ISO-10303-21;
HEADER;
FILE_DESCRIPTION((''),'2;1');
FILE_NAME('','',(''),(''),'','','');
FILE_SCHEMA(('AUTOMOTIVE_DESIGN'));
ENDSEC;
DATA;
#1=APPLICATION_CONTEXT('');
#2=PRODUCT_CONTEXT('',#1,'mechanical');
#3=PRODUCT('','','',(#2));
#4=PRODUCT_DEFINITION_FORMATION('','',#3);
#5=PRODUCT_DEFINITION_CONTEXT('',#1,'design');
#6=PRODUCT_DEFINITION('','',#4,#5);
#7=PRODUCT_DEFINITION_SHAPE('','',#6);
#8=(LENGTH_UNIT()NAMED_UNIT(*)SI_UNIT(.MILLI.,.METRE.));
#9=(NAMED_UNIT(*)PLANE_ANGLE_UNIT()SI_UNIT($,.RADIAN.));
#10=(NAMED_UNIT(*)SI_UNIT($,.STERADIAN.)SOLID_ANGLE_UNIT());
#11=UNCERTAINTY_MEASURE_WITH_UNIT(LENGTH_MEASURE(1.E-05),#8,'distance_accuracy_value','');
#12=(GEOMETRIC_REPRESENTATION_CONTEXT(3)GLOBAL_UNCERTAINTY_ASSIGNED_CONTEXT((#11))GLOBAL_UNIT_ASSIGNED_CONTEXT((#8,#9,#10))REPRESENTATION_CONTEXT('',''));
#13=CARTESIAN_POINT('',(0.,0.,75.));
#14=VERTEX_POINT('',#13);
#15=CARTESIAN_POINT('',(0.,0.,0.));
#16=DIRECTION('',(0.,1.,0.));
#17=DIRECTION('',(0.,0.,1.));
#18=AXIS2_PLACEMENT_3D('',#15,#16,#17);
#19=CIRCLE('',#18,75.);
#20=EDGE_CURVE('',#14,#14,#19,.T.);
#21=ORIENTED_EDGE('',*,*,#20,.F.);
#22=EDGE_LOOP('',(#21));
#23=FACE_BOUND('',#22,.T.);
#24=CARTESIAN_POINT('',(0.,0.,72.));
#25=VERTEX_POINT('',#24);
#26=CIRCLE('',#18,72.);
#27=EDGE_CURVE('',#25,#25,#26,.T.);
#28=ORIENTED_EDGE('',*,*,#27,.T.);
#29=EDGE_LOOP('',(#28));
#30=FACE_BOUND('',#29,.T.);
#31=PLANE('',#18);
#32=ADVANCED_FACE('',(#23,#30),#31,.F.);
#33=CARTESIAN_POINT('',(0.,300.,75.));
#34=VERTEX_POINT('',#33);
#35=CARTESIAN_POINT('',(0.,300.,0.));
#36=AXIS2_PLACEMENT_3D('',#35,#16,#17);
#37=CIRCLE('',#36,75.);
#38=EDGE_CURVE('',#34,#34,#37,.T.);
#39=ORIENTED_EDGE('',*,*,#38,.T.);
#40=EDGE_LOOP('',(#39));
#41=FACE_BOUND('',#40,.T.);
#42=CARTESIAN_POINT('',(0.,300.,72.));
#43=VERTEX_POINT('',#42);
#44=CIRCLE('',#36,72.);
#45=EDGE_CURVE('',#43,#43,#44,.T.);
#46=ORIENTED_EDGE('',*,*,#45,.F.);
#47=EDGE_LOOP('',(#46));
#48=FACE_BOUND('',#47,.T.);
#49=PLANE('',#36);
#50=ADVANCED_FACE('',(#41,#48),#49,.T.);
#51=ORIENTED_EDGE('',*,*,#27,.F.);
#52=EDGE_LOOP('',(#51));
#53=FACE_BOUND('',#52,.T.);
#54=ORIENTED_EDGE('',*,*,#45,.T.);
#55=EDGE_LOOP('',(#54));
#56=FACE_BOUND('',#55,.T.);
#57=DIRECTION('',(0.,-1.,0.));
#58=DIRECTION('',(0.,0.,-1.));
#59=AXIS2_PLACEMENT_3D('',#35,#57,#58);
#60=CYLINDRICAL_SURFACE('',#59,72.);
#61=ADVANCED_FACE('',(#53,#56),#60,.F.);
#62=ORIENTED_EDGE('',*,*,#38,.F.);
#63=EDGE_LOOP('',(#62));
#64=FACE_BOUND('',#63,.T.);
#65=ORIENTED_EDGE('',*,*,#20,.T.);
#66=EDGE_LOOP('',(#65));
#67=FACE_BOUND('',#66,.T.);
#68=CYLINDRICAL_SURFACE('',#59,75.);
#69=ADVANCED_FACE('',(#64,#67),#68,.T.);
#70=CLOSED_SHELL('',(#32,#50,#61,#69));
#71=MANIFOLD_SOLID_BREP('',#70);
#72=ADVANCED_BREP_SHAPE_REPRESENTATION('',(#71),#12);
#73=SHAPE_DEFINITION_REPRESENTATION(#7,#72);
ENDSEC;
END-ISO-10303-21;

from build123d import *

# Parameters (mm, degrees)
ESQUISSE1_R        = 75
ESQUISSE1_R_2      = 72
BOSS_EXTRU_1_DEPTH = 300


with BuildPart() as part:
    # Esquisse1 → Boss.-Extru.1 (new body)
    with BuildSketch(Plane(origin=(0, 0, 0), x_dir=(1, 0, 0), z_dir=(0, 1, 0))):
        with Locations(Location((0, 0, 0), (0, 0, 270))):
            Circle(ESQUISSE1_R)
        with Locations(Location((0, 0, 0), (0, 0, 270))):
            Circle(ESQUISSE1_R_2, mode=Mode.SUBTRACT)
    extrude(amount=BOSS_EXTRU_1_DEPTH)


solid = part.part
